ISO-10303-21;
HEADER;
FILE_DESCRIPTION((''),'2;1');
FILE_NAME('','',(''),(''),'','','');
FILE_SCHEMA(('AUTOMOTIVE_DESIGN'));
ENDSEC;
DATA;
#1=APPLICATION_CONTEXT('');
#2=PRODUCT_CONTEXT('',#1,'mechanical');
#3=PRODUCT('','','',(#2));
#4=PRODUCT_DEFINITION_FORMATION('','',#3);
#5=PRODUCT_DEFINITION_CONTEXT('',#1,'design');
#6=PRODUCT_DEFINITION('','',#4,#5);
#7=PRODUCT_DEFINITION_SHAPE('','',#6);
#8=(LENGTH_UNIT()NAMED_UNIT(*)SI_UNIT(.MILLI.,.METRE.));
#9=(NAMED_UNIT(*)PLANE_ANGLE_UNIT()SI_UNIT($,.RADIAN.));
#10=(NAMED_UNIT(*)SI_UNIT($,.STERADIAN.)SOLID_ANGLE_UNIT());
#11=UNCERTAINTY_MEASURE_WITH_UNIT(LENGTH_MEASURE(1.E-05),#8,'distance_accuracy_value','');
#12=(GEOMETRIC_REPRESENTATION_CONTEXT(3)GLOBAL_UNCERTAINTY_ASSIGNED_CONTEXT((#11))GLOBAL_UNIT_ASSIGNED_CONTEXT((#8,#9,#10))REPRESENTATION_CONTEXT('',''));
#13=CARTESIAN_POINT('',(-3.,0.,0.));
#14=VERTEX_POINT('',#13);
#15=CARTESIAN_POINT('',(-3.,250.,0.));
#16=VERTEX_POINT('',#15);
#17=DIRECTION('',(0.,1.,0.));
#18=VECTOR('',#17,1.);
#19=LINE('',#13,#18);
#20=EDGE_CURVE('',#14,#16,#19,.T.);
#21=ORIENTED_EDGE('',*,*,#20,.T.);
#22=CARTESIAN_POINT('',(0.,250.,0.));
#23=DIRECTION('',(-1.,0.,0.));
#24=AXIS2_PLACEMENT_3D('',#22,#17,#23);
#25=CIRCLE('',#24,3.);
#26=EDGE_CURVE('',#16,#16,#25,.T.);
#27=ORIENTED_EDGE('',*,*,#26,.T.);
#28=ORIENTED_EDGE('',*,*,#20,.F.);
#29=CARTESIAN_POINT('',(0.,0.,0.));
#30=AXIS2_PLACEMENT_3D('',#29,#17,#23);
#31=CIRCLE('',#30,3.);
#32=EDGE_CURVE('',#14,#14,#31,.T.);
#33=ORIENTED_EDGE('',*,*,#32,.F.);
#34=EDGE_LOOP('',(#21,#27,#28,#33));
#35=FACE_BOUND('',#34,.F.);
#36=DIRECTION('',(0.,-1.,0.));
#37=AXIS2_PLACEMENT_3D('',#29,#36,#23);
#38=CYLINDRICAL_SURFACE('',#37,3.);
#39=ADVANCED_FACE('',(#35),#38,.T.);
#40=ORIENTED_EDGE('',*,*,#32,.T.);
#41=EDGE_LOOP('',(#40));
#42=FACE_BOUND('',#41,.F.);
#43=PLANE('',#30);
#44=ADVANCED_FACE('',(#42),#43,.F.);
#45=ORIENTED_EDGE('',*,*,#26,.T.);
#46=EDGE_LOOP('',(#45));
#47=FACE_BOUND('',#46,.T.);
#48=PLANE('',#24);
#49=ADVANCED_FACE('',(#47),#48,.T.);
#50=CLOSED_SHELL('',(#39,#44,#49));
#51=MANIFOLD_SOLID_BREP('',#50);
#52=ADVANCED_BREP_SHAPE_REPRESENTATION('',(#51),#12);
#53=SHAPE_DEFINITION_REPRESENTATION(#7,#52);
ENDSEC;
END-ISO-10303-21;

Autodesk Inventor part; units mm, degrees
ref_plane "YZ Plane" through (0, 0, 0) normal (1, 0, 0) x (0, 1, 0)
ref_plane "XZ Plane" through (0, 0, 0) normal (0, 1, 0) x (-1, 0, 0)
ref_plane "XY Plane" through (0, 0, 0) normal (0, 0, 1) x (1, 0, 0)
sketch "Sketch1" plane through (0, 0, 0) normal (0, 1, 0) x (-1, 0, 0)
  circle A0 centre (0, 0) radius 3
  dimension "d0" = 6
extrude "Extrusion1" add sketch "Sketch1" along normal blind 250
properties part number "00_Thorlabs_Rod_150mm"
